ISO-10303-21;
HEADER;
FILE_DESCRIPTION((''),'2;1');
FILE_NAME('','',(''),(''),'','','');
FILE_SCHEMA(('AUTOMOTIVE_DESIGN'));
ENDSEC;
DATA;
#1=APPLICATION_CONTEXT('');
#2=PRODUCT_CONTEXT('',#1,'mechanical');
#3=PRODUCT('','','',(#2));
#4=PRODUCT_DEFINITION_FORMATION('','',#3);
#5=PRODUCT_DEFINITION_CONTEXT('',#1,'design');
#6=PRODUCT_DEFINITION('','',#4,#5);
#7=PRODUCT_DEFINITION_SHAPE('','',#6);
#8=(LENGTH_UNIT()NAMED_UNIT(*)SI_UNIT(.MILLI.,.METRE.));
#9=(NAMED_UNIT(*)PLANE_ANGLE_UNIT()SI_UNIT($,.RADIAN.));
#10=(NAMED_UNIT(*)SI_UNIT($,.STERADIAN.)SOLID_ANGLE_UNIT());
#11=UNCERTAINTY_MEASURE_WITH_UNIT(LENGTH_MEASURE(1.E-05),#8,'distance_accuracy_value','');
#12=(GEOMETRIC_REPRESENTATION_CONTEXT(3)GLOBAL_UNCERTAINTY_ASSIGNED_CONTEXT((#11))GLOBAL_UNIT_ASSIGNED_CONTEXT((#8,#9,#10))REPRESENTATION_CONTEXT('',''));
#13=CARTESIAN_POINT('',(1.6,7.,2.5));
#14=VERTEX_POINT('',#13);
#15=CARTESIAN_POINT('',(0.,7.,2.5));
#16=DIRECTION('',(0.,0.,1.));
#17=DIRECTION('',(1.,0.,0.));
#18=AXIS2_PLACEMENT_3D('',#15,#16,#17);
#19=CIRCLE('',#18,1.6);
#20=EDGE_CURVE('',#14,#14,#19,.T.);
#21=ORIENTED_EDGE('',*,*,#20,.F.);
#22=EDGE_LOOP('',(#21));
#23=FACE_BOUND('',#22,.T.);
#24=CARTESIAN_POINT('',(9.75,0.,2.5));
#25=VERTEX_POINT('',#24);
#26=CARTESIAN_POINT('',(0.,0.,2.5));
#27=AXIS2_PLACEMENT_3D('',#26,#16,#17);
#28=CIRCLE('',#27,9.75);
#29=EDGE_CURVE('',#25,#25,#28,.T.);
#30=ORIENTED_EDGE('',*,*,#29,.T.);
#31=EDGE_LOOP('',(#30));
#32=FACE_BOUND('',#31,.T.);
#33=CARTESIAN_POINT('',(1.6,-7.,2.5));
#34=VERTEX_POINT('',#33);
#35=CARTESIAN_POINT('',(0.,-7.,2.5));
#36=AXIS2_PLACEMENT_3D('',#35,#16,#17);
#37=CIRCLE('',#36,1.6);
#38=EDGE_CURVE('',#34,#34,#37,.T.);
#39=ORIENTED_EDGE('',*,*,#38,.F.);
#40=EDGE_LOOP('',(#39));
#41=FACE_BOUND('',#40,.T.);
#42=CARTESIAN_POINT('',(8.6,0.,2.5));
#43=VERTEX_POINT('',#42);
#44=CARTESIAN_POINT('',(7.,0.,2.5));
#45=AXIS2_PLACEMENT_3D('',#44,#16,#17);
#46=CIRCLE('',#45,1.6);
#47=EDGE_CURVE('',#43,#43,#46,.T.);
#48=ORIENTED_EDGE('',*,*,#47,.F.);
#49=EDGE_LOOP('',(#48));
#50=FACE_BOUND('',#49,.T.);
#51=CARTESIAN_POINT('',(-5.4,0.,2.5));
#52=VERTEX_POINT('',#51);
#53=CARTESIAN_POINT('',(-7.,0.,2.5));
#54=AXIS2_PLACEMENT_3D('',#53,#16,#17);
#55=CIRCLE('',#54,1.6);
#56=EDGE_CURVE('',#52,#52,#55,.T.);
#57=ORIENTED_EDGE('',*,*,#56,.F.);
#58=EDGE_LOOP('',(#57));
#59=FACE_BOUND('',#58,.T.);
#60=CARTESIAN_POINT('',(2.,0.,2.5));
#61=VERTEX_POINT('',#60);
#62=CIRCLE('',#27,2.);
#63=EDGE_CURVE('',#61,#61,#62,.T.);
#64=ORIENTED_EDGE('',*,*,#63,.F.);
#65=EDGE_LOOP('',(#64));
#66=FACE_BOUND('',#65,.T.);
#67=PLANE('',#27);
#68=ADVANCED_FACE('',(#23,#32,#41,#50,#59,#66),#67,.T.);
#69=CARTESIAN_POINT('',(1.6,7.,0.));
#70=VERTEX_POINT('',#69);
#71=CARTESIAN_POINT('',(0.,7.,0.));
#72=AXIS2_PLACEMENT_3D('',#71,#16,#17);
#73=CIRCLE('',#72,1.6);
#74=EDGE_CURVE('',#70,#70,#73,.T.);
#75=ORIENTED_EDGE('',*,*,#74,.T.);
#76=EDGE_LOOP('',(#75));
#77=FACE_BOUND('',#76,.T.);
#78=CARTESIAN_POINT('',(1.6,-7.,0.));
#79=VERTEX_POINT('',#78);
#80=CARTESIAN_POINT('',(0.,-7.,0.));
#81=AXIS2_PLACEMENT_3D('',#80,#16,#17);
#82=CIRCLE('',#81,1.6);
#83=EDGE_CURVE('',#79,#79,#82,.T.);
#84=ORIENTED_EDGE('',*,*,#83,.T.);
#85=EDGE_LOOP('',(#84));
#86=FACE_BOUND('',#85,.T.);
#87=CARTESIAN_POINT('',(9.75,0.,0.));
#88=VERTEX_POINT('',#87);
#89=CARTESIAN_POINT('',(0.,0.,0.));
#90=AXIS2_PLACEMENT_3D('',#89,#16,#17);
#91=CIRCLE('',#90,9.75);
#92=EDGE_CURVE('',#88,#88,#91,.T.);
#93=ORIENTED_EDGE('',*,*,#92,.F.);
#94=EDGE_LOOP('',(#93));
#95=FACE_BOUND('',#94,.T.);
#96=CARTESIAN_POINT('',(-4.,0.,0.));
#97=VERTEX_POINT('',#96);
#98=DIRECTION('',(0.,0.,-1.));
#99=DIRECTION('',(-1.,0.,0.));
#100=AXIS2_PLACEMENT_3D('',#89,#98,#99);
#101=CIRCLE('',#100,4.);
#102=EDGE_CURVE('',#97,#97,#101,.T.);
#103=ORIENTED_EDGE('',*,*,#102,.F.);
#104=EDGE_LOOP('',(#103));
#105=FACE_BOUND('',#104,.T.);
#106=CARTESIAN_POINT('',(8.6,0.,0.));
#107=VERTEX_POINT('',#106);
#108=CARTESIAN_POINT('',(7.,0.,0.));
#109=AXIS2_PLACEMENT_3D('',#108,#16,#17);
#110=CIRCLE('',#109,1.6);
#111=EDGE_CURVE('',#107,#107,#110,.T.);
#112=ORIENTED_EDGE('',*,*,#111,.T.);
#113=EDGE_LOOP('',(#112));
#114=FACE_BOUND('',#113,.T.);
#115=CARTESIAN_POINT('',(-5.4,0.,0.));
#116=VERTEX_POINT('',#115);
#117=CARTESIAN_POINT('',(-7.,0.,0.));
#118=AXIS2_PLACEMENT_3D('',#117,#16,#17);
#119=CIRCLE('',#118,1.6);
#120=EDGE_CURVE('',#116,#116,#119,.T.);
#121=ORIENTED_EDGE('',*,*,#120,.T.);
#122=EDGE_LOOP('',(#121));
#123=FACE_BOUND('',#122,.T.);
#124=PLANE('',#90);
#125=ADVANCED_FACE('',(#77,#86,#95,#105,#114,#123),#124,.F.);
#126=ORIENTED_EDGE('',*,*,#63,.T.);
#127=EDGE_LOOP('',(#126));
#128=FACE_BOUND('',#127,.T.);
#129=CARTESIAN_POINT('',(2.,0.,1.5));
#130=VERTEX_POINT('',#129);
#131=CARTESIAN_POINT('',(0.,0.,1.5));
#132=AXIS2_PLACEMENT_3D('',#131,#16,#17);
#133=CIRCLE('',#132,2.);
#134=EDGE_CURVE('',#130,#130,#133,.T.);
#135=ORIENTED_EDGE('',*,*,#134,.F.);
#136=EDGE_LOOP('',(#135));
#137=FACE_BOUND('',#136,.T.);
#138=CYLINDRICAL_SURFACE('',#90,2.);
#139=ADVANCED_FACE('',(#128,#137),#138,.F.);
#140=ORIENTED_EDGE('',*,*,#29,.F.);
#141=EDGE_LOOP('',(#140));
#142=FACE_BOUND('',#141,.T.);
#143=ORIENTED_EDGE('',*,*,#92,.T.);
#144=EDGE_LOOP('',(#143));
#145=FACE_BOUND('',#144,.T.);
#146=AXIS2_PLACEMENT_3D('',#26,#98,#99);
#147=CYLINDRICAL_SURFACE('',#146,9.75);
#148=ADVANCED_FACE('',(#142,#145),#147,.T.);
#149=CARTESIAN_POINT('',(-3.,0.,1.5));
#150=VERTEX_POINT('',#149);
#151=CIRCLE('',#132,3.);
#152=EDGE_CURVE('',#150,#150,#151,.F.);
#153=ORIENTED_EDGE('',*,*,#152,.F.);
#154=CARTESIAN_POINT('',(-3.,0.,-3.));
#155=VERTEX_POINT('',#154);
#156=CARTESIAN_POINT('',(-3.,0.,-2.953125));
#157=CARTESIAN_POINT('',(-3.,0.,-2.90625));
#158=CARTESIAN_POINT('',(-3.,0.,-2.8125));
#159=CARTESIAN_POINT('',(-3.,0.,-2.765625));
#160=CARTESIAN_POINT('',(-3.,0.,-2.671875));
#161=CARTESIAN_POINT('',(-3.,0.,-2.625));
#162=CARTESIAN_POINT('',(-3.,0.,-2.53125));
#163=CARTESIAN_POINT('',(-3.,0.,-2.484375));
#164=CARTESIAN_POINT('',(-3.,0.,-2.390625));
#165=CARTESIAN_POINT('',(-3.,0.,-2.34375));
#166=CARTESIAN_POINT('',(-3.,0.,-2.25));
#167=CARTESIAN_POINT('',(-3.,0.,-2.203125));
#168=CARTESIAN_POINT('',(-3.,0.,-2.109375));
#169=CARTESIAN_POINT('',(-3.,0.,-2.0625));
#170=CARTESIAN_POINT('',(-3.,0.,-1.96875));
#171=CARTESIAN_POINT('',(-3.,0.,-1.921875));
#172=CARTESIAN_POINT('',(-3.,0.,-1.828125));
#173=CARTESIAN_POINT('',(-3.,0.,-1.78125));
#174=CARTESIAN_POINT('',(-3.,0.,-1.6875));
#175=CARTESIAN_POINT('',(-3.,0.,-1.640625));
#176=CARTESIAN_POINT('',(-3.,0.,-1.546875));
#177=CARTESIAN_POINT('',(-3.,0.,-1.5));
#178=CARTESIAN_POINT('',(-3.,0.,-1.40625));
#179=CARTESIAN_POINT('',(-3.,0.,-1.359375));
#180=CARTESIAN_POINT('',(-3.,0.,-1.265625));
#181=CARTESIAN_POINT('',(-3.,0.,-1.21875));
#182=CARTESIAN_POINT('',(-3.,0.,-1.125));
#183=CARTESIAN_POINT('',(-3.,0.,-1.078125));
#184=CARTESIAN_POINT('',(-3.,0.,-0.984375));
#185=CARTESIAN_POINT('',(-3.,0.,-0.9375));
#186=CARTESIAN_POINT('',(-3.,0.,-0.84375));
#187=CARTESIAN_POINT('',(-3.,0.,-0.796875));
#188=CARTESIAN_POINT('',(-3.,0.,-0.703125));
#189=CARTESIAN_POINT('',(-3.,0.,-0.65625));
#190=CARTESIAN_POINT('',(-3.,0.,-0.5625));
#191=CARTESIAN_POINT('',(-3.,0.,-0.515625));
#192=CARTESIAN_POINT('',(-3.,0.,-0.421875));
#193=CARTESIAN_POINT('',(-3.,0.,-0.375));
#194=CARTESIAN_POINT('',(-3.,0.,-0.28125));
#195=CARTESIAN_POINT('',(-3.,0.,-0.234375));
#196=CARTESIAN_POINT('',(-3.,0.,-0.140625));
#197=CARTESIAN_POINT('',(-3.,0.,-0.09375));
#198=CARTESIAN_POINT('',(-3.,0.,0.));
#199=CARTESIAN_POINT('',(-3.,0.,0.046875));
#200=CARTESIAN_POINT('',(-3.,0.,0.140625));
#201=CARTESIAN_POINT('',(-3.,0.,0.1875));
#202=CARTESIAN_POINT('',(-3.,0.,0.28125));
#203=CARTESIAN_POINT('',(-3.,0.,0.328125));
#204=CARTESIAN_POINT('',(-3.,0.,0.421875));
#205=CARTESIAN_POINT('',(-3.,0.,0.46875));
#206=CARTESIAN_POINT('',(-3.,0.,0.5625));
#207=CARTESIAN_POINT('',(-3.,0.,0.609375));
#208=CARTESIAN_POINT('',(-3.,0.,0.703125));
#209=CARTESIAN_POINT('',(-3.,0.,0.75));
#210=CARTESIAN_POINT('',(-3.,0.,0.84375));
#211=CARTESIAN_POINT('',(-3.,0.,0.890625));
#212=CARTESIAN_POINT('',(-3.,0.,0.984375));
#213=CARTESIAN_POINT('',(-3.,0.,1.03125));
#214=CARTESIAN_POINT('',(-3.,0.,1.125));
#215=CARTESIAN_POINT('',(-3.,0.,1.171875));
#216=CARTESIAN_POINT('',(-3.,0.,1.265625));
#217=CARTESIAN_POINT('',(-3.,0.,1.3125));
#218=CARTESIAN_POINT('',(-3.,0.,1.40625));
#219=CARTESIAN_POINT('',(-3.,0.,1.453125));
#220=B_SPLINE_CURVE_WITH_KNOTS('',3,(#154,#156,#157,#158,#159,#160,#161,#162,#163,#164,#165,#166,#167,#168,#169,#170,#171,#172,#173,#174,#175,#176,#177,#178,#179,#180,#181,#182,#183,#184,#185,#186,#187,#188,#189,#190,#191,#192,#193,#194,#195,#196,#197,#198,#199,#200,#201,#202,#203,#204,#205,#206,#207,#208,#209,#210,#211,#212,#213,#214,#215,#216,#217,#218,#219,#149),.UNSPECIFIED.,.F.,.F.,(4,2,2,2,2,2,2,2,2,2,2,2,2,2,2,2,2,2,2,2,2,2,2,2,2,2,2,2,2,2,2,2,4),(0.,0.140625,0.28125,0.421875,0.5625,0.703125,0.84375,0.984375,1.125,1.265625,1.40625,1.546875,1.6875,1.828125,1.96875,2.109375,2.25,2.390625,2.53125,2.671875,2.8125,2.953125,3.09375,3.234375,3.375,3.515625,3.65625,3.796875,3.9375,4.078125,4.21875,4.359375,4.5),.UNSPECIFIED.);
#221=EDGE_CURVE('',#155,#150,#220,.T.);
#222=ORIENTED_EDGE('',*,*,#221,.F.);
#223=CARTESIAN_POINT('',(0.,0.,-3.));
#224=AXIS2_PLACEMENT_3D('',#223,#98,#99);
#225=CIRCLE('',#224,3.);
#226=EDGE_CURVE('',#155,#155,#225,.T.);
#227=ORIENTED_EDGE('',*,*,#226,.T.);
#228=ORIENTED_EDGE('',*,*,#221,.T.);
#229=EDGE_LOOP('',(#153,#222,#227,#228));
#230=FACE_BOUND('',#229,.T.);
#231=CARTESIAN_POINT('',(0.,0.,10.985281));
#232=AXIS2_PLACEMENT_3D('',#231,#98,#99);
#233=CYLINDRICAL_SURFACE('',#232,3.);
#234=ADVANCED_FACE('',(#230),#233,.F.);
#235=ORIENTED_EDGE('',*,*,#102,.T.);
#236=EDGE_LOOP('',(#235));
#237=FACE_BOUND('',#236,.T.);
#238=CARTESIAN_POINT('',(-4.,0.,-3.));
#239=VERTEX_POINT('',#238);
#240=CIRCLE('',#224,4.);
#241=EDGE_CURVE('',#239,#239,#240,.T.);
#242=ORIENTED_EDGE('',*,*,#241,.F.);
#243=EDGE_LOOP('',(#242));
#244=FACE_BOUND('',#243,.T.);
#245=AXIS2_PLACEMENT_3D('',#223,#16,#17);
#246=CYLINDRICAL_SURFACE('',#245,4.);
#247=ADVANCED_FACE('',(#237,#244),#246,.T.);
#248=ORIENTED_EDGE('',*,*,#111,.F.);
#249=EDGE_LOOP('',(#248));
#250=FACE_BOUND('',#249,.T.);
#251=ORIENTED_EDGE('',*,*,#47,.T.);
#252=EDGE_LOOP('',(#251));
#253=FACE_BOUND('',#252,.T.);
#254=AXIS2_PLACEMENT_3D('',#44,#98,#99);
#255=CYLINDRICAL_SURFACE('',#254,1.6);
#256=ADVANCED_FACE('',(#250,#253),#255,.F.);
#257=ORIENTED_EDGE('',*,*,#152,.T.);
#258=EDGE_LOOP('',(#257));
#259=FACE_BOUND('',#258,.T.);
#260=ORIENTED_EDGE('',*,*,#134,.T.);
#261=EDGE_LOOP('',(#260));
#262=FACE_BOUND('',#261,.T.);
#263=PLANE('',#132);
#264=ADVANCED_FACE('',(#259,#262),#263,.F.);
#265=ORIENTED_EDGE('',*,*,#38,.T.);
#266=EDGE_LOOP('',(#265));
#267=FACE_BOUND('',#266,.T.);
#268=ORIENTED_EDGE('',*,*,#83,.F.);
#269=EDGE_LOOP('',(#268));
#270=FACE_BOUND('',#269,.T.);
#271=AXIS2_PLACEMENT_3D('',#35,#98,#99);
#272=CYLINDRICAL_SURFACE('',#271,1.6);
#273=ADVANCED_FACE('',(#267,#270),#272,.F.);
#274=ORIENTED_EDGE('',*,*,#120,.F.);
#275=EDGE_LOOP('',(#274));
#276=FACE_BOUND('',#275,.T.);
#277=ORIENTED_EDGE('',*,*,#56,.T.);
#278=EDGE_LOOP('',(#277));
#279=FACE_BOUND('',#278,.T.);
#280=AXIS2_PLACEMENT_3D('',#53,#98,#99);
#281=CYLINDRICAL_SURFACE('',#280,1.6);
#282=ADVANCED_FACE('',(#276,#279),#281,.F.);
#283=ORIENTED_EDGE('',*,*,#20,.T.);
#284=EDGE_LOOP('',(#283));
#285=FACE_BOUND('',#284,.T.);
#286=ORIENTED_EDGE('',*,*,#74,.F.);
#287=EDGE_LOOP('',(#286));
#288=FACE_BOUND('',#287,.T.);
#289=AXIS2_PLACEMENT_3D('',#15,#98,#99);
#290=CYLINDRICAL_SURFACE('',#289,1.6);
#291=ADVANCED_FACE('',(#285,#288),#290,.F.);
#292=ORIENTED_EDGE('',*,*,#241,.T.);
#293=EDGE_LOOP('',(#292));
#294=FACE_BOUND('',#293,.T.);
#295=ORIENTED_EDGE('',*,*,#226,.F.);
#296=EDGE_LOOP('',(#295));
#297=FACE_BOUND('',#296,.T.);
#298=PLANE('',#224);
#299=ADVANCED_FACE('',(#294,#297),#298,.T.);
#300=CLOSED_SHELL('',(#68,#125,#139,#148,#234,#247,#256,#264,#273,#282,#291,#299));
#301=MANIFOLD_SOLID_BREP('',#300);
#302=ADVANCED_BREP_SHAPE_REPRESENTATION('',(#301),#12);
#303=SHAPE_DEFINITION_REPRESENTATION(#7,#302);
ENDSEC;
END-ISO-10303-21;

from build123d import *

# Parameters (mm, degrees)
IZIM1_R                     = 9.75
IZIM1_R_2                   = 1.6
Y_KSEKLIK_EKSTR_ZYON4_DEPTH = 2.5
IZIM13_R                    = 4
Y_KSEKLIK_EKSTR_ZYON6_DEPTH = 3
IZIM14_R                    = 3
KES_EKSTR_ZYON4_DEPTH       = 4.5
IZIM15_R                    = 2
KES_EKSTR_ZYON5_DEPTH       = 2.5


with BuildPart() as part:
    # Çizim1 → Yükseklik-Ekstrüzyon4 (new body)
    with BuildSketch(Plane.XY):
        Circle(IZIM1_R)
        with Locations((-7, 0)):
            Circle(IZIM1_R_2, mode=Mode.SUBTRACT)
        with Locations((0, 7)):
            Circle(IZIM1_R_2, mode=Mode.SUBTRACT)
        with Locations((7, 0)):
            Circle(IZIM1_R_2, mode=Mode.SUBTRACT)
        with Locations((0, -7)):
            Circle(IZIM1_R_2, mode=Mode.SUBTRACT)
    extrude(amount=Y_KSEKLIK_EKSTR_ZYON4_DEPTH)

    # Çizim13 → Yükseklik-Ekstrüzyon6 (add)
    with BuildSketch(Plane(origin=(0, 0, 0), x_dir=(-1, 0, 0), z_dir=(0, 0, -1))):
        Circle(IZIM13_R)
    extrude(amount=Y_KSEKLIK_EKSTR_ZYON6_DEPTH)

    # Çizim14 → Kes-Ekstrüzyon4 (cut)
    with BuildSketch(Plane(origin=(0, 0, -3), x_dir=(-1, 0, 0), z_dir=(0, 0, -1))):
        Circle(IZIM14_R)
    extrude(amount=-KES_EKSTR_ZYON4_DEPTH, mode=Mode.SUBTRACT)

    # Çizim15 → Kes-Ekstrüzyon5 (cut)
    with BuildSketch(Plane.XY.offset(2.5)):
        Circle(IZIM15_R)
    extrude(amount=-KES_EKSTR_ZYON5_DEPTH, mode=Mode.SUBTRACT)


solid = part.part
